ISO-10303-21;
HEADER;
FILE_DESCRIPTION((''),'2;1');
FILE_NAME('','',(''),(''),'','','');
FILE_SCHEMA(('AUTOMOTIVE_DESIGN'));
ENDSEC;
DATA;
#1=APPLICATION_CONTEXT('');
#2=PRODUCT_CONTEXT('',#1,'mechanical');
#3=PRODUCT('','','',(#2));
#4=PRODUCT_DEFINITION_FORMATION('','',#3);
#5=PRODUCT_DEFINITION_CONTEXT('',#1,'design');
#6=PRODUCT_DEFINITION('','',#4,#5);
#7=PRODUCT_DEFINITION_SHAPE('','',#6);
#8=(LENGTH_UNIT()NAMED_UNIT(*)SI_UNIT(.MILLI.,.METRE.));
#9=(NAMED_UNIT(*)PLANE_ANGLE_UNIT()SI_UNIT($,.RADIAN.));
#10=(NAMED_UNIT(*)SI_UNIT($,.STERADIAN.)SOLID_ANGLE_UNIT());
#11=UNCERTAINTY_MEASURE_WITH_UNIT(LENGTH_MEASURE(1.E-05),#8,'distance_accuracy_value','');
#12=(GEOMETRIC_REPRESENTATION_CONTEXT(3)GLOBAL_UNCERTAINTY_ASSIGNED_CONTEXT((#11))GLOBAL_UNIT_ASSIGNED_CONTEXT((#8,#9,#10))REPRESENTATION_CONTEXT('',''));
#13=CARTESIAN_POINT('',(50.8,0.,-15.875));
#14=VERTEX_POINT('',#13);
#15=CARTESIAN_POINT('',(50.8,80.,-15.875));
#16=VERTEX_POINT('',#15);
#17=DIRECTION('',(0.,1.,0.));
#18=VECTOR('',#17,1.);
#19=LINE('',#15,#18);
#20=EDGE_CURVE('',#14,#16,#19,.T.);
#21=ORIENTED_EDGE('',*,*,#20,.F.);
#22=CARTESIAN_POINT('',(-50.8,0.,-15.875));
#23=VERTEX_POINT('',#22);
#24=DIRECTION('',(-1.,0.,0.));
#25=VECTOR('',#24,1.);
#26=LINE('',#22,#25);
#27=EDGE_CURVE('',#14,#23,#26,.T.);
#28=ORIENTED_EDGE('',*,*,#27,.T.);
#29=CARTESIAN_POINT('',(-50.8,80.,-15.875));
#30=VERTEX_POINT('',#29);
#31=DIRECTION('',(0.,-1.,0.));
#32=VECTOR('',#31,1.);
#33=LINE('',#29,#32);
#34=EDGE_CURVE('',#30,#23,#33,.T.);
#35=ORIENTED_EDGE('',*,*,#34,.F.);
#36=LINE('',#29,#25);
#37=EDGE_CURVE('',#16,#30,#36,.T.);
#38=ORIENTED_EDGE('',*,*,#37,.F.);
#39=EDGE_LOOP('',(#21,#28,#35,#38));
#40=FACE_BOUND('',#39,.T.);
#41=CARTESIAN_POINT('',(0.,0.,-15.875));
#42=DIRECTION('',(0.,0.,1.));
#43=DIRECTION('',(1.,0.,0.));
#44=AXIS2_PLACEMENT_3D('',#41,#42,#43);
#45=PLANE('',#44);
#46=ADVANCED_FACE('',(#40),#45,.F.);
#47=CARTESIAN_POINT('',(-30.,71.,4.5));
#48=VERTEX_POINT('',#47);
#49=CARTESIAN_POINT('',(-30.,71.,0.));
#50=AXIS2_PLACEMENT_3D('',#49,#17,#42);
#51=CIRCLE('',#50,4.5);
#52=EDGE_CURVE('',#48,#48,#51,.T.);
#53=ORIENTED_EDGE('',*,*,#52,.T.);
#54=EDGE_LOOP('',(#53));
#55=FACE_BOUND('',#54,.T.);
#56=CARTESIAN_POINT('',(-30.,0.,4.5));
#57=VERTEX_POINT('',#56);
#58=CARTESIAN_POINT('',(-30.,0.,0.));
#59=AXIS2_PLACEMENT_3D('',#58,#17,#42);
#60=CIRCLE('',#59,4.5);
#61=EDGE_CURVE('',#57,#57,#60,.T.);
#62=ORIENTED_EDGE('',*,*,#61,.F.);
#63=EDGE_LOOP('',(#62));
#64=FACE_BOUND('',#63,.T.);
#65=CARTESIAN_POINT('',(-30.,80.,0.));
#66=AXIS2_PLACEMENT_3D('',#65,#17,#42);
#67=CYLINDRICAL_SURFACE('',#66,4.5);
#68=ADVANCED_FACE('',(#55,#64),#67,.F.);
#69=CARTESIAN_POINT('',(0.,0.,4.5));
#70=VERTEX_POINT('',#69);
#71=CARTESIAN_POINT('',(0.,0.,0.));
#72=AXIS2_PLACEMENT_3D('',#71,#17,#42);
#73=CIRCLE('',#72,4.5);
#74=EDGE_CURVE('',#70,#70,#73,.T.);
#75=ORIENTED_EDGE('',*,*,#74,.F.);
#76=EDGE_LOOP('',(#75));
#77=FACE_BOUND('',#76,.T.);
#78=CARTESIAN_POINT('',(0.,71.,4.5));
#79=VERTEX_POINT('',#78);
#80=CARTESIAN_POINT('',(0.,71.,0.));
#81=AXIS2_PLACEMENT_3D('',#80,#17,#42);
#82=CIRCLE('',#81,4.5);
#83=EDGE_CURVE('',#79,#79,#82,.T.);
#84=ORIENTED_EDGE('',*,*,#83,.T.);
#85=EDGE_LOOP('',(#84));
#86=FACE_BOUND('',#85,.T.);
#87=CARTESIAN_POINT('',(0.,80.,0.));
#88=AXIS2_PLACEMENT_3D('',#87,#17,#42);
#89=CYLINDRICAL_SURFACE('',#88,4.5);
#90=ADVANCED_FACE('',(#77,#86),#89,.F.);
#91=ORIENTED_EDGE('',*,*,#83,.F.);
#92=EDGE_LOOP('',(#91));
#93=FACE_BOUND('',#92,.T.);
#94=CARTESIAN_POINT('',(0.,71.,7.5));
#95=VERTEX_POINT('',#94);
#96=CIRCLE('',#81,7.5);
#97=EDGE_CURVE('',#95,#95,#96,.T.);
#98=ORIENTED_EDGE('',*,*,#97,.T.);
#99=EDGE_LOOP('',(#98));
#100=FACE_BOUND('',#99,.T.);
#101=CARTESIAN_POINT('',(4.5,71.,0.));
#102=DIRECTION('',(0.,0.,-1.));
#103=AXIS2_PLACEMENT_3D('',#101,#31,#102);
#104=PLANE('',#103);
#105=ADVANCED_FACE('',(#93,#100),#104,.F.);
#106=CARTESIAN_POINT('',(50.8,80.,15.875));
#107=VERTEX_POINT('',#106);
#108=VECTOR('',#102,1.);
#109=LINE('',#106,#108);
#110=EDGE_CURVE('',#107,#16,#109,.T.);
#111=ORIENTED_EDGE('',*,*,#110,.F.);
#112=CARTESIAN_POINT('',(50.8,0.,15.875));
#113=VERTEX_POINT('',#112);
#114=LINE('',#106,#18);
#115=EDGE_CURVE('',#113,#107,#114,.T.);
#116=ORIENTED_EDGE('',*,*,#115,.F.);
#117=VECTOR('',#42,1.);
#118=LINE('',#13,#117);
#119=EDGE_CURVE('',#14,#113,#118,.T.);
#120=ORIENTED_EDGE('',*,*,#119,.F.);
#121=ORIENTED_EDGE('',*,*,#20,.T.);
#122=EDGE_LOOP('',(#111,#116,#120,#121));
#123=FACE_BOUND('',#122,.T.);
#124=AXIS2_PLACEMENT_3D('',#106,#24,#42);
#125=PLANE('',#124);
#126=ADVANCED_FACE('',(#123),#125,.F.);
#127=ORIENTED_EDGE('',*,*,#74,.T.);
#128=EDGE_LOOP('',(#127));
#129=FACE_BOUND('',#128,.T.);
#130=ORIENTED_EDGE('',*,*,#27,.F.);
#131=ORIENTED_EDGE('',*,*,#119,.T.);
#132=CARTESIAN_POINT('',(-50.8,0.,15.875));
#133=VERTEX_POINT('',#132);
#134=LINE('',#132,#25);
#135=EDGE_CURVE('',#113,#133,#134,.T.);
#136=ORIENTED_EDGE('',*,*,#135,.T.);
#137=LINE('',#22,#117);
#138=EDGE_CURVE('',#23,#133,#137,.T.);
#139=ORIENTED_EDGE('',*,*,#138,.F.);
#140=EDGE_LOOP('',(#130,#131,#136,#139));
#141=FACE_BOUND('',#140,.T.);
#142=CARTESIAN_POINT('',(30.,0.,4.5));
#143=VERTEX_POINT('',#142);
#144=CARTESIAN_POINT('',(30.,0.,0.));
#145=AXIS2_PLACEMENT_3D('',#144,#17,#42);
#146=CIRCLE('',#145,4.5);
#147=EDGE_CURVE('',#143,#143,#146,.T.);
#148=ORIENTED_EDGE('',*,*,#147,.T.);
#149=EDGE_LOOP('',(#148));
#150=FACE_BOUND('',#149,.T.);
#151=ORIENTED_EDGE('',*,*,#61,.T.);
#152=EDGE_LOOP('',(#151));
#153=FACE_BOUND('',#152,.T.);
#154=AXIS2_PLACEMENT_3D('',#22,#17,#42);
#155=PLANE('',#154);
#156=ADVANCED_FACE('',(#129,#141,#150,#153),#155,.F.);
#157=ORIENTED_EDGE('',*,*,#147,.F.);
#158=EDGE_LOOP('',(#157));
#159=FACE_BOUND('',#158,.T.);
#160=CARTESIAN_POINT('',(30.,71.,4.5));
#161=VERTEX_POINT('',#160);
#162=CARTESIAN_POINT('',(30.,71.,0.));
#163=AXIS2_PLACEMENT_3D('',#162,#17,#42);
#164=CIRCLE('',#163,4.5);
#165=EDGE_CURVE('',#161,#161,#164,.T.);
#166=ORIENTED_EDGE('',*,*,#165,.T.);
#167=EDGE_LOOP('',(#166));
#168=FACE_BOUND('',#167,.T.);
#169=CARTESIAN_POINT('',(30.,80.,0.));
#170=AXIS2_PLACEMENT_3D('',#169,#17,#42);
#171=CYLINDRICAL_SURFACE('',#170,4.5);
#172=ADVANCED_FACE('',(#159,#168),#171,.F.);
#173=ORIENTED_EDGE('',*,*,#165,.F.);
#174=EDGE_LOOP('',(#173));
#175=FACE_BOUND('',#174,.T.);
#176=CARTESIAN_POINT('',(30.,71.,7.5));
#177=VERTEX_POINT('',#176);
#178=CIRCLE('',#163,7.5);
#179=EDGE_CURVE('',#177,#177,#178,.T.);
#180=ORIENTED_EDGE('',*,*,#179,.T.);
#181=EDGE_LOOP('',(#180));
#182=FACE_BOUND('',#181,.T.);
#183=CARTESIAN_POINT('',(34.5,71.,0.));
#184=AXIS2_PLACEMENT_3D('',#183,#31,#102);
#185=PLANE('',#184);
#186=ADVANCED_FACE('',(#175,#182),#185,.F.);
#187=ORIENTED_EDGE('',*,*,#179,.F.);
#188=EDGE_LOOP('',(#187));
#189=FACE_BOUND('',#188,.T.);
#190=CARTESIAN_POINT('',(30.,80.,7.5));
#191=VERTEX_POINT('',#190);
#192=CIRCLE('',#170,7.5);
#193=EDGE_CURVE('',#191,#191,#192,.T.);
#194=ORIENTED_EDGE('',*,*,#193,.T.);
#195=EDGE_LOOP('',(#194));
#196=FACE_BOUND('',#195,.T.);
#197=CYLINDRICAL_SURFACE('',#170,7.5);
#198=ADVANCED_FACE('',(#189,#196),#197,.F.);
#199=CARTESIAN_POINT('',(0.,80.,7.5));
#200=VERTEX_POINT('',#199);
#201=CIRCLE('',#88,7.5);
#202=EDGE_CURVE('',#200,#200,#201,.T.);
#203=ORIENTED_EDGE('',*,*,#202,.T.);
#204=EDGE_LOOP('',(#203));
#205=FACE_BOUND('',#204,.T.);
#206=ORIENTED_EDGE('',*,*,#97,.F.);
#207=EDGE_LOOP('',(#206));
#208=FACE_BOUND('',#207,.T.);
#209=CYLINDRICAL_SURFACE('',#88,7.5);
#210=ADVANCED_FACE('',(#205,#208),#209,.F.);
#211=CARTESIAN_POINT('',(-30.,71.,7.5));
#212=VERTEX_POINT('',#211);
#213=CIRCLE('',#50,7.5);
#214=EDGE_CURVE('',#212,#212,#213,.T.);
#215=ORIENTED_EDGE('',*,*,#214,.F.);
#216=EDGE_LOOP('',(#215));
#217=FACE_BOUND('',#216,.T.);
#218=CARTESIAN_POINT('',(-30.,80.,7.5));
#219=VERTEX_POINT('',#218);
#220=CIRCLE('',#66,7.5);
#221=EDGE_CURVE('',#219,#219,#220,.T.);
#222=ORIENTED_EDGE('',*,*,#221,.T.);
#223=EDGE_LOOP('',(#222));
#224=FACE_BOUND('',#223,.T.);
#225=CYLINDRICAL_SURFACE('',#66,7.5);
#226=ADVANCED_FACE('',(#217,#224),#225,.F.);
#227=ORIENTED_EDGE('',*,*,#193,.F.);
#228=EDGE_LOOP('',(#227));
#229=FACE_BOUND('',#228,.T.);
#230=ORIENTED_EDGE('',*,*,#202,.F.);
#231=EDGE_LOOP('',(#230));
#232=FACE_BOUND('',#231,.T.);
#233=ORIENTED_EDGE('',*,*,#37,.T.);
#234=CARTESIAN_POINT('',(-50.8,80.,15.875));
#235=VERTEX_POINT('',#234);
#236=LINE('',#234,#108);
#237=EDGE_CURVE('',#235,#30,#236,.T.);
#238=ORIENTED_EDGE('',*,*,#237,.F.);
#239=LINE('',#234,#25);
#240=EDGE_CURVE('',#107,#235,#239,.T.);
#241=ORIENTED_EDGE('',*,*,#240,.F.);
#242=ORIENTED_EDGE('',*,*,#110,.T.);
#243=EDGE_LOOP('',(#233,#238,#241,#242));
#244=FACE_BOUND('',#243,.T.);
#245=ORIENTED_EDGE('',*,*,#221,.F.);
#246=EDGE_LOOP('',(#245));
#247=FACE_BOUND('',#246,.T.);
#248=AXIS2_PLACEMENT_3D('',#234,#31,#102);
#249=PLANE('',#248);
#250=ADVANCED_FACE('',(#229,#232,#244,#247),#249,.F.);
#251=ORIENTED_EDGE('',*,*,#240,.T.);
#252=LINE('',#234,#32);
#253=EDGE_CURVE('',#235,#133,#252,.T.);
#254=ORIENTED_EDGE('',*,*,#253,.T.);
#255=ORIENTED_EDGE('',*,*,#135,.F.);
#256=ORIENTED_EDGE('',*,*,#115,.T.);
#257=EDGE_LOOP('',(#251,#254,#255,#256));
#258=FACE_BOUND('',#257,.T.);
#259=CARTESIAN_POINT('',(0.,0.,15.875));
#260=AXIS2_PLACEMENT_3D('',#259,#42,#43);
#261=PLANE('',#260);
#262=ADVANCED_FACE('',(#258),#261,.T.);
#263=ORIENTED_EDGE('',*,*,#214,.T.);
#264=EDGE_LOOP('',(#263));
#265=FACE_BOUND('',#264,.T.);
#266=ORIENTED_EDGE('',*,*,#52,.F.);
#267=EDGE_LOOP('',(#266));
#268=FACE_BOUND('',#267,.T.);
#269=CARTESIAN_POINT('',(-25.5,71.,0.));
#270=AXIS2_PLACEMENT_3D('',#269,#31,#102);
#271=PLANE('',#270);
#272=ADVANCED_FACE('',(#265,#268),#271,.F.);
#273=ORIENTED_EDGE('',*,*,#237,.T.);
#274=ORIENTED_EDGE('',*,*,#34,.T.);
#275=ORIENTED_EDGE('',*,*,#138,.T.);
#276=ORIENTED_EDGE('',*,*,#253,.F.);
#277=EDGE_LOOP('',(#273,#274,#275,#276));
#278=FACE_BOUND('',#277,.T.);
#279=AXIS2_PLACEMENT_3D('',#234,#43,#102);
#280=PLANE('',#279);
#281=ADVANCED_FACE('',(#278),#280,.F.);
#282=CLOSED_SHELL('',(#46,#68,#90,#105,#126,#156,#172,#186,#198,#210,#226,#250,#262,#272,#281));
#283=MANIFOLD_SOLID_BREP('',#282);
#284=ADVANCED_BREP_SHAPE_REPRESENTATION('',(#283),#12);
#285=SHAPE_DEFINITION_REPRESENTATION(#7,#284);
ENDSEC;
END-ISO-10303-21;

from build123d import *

# Parameters (mm, degrees)
SKETCH1_W                                           = 101.6
SKETCH1_H                                           = 82.55
BOSS_EXTRUDE1_DEPTH                                 = 15.875
SKETCH2_W                                           = 101.6
SKETCH2_H                                           = 2.55
CUT_EXTRUDE1_DEPTH                                  = 100.943496537
CBORE_FOR_M8_HEX_SOCKET_HEAD_CAP_SCREW1_D           = 9
CBORE_FOR_M8_HEX_SOCKET_HEAD_CAP_SCREW1_CBORE_D     = 15
CBORE_FOR_M8_HEX_SOCKET_HEAD_CAP_SCREW1_CBORE_DEPTH = 9


with BuildPart() as part:
    # Sketch1 → Boss-Extrude1 (new, symmetric)
    with BuildSketch(Plane.XY):
        with Locations((0, 38.725)):
            Rectangle(SKETCH1_W, SKETCH1_H)
    extrude(amount=BOSS_EXTRUDE1_DEPTH, both=True)

    # Sketch2 → Cut-Extrude1 (cut, through all)
    with BuildSketch(Plane.XY.offset(15.875)):
        with Locations((0, -1.275)):
            Rectangle(SKETCH2_W, SKETCH2_H)
    extrude(amount=-CUT_EXTRUDE1_DEPTH, mode=Mode.SUBTRACT)

    # CBORE for M8 Hex Socket Head Cap Screw1 (through all)
    with Locations(Plane(origin=(0, 80, 0), x_dir=(1, 0, 0), z_dir=(0, 1, 0))):
        with Locations((30, 0), (0, 0), (-30, 0)):
            CounterBoreHole(CBORE_FOR_M8_HEX_SOCKET_HEAD_CAP_SCREW1_D / 2, CBORE_FOR_M8_HEX_SOCKET_HEAD_CAP_SCREW1_CBORE_D / 2, CBORE_FOR_M8_HEX_SOCKET_HEAD_CAP_SCREW1_CBORE_DEPTH)


solid = part.part
